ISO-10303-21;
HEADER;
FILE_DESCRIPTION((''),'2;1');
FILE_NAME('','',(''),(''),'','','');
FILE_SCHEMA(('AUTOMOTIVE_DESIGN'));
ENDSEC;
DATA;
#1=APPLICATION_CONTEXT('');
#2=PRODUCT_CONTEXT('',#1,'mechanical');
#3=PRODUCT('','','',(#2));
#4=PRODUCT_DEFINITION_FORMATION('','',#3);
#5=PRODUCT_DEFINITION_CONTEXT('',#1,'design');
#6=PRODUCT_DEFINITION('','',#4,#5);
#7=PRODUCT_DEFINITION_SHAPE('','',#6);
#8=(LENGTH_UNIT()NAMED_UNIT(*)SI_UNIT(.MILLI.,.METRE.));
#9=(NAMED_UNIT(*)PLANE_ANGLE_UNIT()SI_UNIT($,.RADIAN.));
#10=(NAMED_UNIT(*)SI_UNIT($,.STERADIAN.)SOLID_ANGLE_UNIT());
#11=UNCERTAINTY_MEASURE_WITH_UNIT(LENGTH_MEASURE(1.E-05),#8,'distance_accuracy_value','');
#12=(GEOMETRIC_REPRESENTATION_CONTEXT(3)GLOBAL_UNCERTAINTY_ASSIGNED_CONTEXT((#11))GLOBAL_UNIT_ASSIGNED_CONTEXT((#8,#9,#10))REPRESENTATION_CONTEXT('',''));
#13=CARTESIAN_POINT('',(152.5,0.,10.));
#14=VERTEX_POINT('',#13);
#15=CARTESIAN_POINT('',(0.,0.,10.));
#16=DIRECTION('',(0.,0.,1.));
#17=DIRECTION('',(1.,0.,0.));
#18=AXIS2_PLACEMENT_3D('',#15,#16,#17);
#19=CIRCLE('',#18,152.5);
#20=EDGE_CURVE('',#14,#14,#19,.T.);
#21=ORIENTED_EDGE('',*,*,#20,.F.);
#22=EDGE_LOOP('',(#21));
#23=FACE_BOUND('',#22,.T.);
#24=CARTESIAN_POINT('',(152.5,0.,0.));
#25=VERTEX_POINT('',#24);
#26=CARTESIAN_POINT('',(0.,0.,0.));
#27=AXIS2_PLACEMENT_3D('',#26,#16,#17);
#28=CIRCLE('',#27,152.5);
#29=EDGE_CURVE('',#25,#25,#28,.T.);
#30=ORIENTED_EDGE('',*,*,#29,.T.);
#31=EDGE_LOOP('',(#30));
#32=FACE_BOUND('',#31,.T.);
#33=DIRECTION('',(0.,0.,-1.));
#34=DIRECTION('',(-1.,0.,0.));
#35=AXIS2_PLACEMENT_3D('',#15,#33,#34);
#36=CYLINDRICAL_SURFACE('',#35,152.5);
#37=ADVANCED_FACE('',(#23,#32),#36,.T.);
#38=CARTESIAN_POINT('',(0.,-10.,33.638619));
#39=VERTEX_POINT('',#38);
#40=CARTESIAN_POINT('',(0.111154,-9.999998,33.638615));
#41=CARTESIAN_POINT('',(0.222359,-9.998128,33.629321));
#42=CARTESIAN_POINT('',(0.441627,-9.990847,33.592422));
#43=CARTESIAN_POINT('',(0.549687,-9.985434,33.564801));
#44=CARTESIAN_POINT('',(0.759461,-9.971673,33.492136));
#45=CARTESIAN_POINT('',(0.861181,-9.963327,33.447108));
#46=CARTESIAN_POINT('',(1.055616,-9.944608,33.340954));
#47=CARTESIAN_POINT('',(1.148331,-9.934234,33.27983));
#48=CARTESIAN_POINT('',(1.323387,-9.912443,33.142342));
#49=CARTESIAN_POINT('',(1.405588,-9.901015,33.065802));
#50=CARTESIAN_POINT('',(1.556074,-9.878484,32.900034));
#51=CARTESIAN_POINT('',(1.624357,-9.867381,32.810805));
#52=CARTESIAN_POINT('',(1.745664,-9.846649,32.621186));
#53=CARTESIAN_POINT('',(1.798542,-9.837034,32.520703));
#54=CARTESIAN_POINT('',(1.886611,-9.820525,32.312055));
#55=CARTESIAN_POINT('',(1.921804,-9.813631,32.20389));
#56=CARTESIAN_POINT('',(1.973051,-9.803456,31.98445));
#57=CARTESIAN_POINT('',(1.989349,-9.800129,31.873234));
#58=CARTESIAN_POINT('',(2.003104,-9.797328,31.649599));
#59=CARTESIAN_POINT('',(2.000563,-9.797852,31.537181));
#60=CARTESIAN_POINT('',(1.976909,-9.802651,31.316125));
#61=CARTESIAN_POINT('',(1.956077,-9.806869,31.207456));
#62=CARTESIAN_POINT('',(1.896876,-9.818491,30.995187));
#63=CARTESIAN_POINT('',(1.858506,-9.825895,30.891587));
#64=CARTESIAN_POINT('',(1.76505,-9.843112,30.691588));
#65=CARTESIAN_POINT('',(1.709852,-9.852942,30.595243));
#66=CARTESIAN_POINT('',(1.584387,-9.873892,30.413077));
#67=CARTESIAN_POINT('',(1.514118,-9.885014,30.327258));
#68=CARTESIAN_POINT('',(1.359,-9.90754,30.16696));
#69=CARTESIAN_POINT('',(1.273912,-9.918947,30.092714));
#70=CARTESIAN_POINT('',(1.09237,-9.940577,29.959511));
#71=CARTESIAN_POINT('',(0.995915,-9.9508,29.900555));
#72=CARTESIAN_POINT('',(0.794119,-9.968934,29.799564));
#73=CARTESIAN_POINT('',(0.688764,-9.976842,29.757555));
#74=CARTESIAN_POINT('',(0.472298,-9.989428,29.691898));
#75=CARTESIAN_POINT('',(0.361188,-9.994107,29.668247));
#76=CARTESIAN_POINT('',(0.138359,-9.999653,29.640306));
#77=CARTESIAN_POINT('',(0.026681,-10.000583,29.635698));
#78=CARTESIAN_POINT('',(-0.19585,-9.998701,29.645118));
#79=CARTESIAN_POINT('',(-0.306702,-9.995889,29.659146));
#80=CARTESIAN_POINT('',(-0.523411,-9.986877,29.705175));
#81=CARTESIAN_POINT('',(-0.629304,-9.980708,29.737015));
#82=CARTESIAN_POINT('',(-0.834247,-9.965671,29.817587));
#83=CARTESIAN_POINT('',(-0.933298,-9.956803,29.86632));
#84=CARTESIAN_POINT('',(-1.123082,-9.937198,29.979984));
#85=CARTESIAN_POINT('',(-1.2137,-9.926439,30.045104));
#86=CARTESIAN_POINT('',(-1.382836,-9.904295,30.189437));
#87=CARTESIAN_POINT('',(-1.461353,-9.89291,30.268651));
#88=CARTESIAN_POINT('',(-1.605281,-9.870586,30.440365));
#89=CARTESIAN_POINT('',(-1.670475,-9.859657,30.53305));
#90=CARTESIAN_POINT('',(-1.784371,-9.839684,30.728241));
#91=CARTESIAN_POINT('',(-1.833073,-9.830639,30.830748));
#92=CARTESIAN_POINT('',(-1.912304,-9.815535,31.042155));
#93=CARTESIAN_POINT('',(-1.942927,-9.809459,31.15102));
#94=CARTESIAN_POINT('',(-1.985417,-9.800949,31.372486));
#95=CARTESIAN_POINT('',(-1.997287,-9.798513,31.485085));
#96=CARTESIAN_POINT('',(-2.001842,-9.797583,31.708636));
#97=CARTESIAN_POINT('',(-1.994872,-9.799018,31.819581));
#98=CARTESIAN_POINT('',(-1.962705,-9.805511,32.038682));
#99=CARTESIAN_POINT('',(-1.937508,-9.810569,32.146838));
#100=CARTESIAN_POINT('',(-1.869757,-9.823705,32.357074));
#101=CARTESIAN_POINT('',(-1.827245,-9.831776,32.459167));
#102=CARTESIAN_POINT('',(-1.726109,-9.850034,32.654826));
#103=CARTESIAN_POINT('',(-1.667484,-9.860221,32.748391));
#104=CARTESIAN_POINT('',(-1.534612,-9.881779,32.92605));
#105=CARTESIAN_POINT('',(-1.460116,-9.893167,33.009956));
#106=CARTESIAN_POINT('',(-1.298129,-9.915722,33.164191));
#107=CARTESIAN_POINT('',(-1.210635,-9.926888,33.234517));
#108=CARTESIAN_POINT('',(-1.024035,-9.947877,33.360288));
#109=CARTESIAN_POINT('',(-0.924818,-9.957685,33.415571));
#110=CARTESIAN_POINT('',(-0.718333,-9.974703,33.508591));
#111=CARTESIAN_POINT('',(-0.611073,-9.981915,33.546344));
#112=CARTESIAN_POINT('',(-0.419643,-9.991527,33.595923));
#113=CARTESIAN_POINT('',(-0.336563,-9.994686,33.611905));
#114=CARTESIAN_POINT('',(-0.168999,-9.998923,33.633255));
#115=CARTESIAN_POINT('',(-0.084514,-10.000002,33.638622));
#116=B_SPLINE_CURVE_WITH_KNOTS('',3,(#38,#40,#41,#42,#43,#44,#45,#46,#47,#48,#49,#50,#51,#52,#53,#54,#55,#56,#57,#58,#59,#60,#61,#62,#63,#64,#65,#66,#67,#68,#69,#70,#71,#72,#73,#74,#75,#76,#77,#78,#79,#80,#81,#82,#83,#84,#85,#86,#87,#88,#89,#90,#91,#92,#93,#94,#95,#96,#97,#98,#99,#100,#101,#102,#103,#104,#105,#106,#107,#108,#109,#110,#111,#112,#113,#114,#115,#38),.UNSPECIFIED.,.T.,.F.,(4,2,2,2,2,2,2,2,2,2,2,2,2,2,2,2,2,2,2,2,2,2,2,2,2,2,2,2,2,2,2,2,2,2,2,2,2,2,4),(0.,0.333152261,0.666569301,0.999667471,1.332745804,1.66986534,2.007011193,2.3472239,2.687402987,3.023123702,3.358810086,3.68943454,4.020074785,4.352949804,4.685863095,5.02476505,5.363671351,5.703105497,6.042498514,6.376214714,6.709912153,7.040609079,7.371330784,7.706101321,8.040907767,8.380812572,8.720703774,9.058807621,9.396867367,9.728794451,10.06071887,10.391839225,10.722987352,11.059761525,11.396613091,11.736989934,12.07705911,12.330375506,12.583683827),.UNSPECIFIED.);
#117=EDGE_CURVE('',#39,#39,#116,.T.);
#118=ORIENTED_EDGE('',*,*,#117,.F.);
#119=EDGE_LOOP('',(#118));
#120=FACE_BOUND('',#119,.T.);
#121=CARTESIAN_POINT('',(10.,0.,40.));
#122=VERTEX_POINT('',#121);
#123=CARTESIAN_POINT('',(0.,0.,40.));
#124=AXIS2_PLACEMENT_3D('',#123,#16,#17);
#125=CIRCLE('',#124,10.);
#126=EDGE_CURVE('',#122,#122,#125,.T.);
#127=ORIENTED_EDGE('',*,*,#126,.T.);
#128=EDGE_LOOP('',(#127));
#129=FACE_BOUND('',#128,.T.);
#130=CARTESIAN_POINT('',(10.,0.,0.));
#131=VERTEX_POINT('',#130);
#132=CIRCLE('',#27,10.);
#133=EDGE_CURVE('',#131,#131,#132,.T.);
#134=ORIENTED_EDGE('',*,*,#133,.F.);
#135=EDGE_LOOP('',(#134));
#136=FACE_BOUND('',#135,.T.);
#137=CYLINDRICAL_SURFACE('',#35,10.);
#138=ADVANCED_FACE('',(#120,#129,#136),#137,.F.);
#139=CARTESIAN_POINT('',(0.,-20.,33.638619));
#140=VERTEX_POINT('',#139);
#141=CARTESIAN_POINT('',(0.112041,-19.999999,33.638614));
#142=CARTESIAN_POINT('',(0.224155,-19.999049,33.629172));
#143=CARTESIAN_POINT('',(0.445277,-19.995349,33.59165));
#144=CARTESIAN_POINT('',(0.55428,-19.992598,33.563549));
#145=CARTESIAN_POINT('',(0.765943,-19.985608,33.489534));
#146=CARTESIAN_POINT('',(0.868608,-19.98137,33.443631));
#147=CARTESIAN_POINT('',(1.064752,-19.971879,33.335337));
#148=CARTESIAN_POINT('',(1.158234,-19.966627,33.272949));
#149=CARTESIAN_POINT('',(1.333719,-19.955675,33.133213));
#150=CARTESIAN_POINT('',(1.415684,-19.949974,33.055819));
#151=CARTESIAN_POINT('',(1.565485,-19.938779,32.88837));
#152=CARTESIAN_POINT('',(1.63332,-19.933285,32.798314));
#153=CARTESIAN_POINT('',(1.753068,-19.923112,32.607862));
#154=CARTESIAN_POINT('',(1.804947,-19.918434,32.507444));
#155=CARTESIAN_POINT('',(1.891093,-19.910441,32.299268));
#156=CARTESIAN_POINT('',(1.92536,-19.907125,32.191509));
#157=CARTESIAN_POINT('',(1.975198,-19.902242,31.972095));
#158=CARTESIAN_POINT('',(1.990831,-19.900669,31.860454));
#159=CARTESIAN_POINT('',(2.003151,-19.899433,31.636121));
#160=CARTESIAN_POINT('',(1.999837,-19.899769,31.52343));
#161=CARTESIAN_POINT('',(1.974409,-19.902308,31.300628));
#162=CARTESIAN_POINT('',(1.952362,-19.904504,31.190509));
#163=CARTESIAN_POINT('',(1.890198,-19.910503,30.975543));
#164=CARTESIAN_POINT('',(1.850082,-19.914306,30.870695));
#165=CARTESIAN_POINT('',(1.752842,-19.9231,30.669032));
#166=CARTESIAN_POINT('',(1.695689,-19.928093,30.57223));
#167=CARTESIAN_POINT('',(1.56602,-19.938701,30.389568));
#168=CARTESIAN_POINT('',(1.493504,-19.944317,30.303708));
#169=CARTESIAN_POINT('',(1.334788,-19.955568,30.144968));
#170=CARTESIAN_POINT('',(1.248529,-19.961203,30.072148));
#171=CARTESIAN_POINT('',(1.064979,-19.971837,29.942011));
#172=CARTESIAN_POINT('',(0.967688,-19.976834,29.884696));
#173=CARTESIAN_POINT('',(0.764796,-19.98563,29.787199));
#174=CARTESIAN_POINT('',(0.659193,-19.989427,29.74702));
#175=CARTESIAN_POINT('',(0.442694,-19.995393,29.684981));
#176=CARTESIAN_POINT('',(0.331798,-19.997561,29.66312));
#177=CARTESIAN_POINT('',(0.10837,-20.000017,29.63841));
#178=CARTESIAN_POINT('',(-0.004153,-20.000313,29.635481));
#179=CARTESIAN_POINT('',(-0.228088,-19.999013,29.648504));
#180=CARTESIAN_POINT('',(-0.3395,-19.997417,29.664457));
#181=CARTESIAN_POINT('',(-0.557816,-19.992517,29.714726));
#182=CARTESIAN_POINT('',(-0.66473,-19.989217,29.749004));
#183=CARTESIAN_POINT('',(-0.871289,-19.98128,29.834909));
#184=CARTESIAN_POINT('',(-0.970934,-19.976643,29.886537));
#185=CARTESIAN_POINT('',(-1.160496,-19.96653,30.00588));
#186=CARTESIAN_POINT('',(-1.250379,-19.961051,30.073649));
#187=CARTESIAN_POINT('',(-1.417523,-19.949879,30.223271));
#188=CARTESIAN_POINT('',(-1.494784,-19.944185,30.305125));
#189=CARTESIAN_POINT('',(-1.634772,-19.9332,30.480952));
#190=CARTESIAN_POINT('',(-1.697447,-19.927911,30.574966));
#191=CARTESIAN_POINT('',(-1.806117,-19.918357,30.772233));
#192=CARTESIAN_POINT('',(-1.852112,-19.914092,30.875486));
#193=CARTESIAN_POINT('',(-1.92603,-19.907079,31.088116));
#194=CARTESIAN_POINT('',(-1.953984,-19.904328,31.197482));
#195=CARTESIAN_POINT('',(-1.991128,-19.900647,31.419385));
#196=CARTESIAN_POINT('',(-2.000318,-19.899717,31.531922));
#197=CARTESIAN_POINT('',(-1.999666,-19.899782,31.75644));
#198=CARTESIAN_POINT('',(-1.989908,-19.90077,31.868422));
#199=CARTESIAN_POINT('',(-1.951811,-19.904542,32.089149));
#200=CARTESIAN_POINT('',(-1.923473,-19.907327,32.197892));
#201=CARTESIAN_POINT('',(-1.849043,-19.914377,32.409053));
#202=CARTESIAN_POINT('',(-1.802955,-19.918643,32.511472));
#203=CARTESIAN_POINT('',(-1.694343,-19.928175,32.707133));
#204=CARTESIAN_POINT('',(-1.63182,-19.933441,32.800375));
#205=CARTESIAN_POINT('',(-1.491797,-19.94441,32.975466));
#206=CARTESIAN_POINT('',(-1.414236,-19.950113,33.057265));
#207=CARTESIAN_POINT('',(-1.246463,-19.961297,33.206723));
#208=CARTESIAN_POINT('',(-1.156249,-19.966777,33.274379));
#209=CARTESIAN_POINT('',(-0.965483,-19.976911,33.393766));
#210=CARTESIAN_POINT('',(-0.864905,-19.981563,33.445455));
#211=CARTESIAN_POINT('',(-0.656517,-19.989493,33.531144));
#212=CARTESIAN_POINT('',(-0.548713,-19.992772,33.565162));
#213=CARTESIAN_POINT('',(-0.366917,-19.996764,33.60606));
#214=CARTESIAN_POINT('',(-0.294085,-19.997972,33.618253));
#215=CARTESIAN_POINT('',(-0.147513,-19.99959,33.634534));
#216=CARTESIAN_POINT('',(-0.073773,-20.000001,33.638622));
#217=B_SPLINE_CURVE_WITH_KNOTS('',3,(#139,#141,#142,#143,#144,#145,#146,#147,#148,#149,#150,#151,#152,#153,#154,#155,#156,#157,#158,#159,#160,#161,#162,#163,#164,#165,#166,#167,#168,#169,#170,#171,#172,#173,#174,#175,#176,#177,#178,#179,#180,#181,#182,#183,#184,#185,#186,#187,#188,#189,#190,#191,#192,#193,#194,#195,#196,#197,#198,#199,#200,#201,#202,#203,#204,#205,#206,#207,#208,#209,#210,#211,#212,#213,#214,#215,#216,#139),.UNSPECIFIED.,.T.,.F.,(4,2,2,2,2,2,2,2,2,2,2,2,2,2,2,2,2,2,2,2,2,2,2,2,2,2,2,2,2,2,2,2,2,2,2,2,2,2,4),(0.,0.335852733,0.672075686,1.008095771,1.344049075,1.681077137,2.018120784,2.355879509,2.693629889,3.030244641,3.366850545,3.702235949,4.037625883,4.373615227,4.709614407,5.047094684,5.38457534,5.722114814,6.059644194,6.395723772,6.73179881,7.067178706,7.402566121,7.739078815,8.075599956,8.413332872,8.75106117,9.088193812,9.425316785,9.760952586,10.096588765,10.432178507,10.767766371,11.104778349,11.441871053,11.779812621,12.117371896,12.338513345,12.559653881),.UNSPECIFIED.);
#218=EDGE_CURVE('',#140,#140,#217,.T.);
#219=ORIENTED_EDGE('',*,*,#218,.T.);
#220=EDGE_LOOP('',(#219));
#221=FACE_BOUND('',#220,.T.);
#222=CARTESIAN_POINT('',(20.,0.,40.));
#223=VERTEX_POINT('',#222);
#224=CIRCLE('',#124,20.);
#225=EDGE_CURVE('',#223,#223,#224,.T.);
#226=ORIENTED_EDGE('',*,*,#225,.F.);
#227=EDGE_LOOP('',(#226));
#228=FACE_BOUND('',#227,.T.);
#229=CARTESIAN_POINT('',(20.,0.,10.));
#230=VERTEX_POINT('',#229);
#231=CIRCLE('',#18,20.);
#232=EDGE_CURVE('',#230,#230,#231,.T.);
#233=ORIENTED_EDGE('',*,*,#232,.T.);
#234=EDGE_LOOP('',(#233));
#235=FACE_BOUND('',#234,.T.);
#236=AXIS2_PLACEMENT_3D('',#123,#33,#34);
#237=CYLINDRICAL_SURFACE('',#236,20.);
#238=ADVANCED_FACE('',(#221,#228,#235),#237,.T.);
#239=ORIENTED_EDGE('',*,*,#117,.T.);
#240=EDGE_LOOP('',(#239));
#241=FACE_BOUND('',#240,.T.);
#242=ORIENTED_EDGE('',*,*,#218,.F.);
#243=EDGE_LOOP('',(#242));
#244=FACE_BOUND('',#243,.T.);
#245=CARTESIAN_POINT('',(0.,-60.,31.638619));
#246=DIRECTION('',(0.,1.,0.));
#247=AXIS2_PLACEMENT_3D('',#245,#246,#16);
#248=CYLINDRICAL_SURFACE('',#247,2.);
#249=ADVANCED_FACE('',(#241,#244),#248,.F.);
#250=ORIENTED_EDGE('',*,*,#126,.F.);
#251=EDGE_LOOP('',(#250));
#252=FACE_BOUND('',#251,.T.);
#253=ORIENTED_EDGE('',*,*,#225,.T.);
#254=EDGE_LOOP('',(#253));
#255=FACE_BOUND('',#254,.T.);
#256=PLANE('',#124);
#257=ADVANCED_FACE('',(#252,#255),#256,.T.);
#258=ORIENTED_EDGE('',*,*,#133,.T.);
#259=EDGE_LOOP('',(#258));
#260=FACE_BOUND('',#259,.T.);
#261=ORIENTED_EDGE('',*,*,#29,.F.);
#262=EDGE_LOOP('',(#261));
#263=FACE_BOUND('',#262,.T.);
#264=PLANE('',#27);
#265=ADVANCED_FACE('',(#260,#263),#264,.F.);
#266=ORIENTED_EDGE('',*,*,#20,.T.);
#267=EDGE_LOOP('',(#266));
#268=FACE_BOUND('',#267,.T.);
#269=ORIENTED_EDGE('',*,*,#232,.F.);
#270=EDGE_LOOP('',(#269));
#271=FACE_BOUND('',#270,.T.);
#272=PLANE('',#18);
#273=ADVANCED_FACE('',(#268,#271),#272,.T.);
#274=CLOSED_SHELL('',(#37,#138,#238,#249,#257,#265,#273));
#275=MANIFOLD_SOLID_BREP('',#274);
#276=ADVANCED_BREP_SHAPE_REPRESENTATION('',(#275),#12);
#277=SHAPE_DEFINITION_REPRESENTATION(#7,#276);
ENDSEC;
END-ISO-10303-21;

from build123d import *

# Parameters (mm, degrees)
SKETCH1_R           = 152.5
SKETCH1_R_2         = 10
BOSS_EXTRUDE1_DEPTH = 10
SKETCH2_R           = 20
SKETCH2_R_2         = 10
BOSS_EXTRUDE2_DEPTH = 30
SKETCH3_R           = 2
CUT_EXTRUDE1_DEPTH  = 60


with BuildPart() as part:
    # Sketch1 → Boss-Extrude1 (new body)
    with BuildSketch(Plane.XY):
        Circle(SKETCH1_R)
        Circle(SKETCH1_R_2, mode=Mode.SUBTRACT)
    extrude(amount=BOSS_EXTRUDE1_DEPTH)

    # Sketch2 → Boss-Extrude2 (add)
    with BuildSketch(Plane.XY.offset(10)):
        Circle(SKETCH2_R)
        Circle(SKETCH2_R_2, mode=Mode.SUBTRACT)
    extrude(amount=BOSS_EXTRUDE2_DEPTH)

    # Sketch3 → Cut-Extrude1 (cut)
    with BuildSketch(Plane(origin=(0, 0, 0), x_dir=(1, 0, 0), z_dir=(0, 1, 0))):
        with Locations(Location((0, -31.638618724, 0), (0, 0, 270))):  # turned: the seam where the file's is
            Circle(SKETCH3_R)
    extrude(amount=-CUT_EXTRUDE1_DEPTH, mode=Mode.SUBTRACT)


solid = part.part
